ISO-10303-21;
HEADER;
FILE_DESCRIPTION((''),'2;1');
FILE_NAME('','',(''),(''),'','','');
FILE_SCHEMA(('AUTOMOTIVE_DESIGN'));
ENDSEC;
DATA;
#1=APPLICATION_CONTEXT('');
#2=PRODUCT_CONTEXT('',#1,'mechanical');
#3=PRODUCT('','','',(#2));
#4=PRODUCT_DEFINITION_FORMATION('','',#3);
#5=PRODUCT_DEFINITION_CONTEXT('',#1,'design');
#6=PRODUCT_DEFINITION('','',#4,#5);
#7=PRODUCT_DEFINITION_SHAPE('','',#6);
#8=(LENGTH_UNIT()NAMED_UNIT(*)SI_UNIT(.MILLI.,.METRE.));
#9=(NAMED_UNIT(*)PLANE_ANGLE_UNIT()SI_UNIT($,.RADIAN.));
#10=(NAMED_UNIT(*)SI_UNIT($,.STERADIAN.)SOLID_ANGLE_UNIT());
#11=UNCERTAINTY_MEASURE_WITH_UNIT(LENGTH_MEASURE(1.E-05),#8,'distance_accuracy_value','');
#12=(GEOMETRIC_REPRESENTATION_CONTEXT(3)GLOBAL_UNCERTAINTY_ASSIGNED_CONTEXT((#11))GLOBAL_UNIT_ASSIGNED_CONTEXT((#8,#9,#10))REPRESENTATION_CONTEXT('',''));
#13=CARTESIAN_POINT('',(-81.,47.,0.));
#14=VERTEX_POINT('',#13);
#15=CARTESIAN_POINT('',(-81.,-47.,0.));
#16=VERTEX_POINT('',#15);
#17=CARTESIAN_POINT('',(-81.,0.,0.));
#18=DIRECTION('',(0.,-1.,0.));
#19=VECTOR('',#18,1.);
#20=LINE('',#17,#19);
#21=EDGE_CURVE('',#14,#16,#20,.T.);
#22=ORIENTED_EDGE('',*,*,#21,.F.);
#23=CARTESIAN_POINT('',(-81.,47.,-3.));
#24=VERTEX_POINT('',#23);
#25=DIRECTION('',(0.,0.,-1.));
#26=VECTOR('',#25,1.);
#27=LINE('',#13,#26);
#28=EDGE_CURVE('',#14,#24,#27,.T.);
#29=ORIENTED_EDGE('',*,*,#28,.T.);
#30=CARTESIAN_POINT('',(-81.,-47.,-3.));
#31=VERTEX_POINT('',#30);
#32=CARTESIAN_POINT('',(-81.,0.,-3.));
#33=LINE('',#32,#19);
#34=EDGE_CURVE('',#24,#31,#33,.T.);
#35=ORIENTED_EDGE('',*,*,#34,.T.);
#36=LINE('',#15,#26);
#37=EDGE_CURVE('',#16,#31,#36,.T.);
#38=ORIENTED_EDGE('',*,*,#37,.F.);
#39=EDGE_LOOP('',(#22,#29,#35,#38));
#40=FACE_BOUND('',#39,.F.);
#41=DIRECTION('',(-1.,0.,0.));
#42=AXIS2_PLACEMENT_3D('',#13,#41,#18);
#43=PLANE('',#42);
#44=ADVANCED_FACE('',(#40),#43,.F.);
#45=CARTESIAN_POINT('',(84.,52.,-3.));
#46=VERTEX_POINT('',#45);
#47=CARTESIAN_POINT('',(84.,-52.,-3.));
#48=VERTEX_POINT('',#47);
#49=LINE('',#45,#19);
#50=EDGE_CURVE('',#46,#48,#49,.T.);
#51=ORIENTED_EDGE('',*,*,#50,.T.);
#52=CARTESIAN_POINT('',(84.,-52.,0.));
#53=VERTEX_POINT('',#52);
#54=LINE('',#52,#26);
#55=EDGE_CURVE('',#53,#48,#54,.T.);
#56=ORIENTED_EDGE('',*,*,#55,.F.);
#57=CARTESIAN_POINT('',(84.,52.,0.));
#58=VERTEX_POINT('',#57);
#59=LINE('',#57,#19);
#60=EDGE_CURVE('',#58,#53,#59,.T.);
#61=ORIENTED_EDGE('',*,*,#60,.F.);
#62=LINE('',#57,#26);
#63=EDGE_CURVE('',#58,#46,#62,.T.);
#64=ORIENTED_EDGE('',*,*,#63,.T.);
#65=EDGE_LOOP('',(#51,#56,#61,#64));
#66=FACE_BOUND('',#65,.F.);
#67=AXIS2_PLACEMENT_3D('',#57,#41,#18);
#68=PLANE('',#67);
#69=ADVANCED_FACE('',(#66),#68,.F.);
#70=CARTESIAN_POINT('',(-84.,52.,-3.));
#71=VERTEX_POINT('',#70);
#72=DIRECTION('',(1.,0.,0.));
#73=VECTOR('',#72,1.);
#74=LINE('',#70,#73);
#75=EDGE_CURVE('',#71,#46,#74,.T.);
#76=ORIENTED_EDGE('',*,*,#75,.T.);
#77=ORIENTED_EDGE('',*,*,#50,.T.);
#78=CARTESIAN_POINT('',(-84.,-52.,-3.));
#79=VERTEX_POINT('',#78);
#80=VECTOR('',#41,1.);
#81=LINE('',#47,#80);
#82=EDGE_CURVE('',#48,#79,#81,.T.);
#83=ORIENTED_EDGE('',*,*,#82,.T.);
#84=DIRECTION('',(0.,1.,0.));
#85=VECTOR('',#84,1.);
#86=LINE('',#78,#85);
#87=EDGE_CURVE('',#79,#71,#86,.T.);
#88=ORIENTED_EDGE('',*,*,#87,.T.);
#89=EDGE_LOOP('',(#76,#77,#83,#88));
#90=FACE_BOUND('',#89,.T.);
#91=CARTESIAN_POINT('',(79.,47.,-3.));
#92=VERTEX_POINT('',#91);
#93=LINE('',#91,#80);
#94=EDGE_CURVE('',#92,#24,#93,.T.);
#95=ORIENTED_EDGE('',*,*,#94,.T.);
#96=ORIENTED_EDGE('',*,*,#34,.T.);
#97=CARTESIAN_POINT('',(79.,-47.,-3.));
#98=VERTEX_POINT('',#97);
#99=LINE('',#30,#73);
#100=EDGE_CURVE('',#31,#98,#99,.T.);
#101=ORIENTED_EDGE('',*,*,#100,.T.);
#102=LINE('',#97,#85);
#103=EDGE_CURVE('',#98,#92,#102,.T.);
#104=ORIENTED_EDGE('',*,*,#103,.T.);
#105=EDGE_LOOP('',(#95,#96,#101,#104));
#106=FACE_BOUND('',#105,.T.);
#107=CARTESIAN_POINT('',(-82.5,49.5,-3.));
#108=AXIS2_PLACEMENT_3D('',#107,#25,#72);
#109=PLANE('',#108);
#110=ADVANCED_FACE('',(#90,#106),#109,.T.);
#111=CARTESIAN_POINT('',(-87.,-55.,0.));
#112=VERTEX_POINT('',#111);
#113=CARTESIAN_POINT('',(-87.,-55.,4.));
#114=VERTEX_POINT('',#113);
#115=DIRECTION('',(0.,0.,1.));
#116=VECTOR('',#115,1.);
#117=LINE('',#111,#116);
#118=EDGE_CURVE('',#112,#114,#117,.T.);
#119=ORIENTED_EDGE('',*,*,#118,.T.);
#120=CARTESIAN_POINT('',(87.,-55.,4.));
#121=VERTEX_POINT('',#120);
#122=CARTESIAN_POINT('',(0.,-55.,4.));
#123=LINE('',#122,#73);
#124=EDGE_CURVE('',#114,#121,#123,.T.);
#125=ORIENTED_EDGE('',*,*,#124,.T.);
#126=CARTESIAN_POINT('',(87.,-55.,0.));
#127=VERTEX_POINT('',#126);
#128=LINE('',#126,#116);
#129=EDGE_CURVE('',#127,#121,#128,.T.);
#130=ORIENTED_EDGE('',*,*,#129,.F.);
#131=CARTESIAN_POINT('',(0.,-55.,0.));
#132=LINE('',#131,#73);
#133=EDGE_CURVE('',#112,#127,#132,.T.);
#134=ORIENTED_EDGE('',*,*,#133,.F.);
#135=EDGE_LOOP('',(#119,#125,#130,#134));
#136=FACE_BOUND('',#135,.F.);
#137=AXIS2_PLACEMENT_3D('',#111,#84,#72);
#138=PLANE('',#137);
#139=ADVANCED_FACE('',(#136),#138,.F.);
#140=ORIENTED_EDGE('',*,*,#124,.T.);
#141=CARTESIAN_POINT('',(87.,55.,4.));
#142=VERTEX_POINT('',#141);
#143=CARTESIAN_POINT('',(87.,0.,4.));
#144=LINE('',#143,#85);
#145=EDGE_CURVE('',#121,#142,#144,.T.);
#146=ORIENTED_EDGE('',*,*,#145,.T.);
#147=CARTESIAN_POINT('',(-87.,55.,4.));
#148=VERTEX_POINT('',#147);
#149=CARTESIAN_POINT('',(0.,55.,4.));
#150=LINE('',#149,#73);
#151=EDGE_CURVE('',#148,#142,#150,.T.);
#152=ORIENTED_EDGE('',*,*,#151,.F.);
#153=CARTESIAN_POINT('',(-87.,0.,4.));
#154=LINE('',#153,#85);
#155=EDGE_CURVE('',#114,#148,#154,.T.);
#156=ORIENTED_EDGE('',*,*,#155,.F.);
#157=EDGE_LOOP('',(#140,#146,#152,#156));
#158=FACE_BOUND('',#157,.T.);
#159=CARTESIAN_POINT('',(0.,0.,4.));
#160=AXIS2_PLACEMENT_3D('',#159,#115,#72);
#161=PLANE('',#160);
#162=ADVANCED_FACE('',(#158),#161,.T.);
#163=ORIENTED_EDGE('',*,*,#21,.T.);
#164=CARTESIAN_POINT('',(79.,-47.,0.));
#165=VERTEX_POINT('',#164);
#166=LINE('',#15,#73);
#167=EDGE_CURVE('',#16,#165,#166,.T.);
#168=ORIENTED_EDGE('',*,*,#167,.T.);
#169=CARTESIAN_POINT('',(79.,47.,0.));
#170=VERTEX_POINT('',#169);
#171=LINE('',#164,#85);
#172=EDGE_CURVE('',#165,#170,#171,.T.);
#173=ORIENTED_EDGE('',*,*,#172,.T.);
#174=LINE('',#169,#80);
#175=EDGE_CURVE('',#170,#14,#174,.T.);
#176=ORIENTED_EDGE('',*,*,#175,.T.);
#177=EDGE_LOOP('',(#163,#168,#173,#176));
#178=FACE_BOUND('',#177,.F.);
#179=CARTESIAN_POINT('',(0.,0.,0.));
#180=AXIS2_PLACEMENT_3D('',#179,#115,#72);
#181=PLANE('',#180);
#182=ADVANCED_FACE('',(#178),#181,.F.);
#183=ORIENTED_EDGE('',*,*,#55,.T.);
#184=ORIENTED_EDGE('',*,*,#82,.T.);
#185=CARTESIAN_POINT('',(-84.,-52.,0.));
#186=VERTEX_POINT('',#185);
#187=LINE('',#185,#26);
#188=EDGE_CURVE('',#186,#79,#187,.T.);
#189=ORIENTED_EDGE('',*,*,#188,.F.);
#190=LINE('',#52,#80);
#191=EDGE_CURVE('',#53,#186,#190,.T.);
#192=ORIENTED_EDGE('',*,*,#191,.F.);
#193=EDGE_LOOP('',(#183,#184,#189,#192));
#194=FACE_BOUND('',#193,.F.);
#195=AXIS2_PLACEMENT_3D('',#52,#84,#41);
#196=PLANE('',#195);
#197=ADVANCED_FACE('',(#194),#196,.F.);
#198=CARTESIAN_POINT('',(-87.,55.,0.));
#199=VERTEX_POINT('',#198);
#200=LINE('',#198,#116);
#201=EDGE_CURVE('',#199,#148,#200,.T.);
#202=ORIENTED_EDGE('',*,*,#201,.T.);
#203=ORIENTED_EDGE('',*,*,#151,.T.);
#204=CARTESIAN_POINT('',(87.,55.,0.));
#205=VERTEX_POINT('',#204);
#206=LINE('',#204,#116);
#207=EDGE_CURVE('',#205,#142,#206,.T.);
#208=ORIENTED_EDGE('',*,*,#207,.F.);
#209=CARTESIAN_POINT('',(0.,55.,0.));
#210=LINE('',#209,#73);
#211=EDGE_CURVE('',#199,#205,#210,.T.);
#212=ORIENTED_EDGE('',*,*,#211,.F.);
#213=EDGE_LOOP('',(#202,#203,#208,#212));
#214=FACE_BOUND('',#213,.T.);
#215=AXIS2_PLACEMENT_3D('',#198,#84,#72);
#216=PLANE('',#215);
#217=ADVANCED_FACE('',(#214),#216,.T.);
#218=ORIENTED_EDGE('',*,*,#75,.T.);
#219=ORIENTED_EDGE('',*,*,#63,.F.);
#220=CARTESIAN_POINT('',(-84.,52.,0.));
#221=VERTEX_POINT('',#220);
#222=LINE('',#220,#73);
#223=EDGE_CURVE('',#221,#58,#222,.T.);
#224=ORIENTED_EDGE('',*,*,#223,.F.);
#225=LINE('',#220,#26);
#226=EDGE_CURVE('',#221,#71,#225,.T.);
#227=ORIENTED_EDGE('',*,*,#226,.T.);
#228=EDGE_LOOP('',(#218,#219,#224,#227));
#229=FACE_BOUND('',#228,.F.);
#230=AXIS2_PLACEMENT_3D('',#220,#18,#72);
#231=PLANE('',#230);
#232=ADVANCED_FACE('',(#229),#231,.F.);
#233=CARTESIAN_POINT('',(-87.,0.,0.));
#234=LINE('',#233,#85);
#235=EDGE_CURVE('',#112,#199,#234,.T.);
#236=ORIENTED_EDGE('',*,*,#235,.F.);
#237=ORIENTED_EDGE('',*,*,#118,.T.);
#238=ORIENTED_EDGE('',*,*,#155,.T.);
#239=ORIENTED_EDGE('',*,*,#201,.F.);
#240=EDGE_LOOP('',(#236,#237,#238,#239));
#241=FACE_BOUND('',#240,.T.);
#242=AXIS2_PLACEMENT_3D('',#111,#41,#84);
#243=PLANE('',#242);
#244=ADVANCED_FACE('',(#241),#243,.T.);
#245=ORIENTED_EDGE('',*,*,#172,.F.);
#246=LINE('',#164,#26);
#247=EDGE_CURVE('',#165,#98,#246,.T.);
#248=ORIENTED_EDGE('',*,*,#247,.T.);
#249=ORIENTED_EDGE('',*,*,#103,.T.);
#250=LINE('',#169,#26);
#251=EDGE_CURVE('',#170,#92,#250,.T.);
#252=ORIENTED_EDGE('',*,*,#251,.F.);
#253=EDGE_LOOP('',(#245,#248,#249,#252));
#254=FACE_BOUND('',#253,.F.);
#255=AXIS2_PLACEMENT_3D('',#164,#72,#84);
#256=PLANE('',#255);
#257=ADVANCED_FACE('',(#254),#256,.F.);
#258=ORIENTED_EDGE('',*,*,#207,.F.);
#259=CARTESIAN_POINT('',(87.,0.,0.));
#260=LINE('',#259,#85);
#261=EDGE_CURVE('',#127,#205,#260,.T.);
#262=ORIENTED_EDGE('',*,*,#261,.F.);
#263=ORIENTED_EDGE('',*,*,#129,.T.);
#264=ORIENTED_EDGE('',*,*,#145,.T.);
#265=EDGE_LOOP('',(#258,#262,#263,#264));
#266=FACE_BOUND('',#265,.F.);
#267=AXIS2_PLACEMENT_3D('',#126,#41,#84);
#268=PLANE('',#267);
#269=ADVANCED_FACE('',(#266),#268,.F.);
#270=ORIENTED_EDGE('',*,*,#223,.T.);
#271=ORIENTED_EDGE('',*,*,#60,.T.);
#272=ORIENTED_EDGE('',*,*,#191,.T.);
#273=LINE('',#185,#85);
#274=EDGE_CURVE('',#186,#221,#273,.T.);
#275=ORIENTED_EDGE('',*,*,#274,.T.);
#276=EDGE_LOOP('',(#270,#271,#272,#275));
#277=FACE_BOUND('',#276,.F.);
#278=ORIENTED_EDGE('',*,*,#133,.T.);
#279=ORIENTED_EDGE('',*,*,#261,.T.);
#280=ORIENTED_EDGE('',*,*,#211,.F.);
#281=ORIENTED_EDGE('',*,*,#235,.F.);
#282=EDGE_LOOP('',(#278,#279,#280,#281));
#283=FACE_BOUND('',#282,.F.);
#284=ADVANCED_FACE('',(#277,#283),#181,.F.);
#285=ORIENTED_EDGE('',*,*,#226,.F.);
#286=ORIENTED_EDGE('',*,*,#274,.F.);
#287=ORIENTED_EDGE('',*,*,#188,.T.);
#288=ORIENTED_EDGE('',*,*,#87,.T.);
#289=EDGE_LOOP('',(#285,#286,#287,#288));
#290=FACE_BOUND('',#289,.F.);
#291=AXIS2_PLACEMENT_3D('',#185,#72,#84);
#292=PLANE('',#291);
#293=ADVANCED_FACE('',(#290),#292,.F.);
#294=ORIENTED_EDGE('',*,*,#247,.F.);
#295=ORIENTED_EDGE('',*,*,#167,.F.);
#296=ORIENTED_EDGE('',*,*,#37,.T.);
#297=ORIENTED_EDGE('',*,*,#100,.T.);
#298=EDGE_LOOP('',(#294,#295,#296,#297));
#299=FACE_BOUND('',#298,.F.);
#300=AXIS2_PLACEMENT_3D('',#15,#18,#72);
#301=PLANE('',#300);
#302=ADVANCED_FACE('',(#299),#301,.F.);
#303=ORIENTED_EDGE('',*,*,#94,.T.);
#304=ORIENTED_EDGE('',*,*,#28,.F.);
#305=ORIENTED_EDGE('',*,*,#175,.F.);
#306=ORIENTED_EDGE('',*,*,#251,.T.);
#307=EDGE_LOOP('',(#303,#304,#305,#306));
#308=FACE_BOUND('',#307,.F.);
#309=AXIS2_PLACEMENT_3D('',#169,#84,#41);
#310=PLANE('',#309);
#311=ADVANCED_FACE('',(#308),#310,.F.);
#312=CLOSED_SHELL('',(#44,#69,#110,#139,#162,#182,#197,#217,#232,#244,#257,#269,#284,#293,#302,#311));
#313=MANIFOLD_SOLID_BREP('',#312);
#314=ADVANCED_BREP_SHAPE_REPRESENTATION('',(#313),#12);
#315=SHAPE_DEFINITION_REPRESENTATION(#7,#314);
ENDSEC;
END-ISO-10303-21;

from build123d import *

# Parameters (mm, degrees)
F0_W     = 174
F0_H     = 110
F1_DEPTH = 4
F2_W     = 3
F2_H     = 5
F2_H_2   = 94
F3_DEPTH = 3


with BuildPart() as f1:
    # F0 (on Top) → F1 (new body)
    with BuildSketch(Plane.XY):
        Rectangle(F0_W, F0_H)
    extrude(amount=F1_DEPTH)

    # F2 (on face) → F3 (join)
    with BuildSketch(Plane(origin=(0, 0, 0), x_dir=(1, 0, 0), z_dir=(0, 0, -1))):
        with Locations((-82.5, -49.5)):
            Rectangle(F2_W, F2_H)
        Polygon((-81, -47), (-81, -52), (84, -52), (84, 52), (-81, 52), (-81, 47), (79, 47), (79, -47), align=None)
        with Locations((-82.5, 0)):
            Rectangle(F2_W, F2_H_2)
        with Locations((-82.5, 49.5)):
            Rectangle(F2_W, F2_H)
    extrude(amount=F3_DEPTH)


solid = f1.part
